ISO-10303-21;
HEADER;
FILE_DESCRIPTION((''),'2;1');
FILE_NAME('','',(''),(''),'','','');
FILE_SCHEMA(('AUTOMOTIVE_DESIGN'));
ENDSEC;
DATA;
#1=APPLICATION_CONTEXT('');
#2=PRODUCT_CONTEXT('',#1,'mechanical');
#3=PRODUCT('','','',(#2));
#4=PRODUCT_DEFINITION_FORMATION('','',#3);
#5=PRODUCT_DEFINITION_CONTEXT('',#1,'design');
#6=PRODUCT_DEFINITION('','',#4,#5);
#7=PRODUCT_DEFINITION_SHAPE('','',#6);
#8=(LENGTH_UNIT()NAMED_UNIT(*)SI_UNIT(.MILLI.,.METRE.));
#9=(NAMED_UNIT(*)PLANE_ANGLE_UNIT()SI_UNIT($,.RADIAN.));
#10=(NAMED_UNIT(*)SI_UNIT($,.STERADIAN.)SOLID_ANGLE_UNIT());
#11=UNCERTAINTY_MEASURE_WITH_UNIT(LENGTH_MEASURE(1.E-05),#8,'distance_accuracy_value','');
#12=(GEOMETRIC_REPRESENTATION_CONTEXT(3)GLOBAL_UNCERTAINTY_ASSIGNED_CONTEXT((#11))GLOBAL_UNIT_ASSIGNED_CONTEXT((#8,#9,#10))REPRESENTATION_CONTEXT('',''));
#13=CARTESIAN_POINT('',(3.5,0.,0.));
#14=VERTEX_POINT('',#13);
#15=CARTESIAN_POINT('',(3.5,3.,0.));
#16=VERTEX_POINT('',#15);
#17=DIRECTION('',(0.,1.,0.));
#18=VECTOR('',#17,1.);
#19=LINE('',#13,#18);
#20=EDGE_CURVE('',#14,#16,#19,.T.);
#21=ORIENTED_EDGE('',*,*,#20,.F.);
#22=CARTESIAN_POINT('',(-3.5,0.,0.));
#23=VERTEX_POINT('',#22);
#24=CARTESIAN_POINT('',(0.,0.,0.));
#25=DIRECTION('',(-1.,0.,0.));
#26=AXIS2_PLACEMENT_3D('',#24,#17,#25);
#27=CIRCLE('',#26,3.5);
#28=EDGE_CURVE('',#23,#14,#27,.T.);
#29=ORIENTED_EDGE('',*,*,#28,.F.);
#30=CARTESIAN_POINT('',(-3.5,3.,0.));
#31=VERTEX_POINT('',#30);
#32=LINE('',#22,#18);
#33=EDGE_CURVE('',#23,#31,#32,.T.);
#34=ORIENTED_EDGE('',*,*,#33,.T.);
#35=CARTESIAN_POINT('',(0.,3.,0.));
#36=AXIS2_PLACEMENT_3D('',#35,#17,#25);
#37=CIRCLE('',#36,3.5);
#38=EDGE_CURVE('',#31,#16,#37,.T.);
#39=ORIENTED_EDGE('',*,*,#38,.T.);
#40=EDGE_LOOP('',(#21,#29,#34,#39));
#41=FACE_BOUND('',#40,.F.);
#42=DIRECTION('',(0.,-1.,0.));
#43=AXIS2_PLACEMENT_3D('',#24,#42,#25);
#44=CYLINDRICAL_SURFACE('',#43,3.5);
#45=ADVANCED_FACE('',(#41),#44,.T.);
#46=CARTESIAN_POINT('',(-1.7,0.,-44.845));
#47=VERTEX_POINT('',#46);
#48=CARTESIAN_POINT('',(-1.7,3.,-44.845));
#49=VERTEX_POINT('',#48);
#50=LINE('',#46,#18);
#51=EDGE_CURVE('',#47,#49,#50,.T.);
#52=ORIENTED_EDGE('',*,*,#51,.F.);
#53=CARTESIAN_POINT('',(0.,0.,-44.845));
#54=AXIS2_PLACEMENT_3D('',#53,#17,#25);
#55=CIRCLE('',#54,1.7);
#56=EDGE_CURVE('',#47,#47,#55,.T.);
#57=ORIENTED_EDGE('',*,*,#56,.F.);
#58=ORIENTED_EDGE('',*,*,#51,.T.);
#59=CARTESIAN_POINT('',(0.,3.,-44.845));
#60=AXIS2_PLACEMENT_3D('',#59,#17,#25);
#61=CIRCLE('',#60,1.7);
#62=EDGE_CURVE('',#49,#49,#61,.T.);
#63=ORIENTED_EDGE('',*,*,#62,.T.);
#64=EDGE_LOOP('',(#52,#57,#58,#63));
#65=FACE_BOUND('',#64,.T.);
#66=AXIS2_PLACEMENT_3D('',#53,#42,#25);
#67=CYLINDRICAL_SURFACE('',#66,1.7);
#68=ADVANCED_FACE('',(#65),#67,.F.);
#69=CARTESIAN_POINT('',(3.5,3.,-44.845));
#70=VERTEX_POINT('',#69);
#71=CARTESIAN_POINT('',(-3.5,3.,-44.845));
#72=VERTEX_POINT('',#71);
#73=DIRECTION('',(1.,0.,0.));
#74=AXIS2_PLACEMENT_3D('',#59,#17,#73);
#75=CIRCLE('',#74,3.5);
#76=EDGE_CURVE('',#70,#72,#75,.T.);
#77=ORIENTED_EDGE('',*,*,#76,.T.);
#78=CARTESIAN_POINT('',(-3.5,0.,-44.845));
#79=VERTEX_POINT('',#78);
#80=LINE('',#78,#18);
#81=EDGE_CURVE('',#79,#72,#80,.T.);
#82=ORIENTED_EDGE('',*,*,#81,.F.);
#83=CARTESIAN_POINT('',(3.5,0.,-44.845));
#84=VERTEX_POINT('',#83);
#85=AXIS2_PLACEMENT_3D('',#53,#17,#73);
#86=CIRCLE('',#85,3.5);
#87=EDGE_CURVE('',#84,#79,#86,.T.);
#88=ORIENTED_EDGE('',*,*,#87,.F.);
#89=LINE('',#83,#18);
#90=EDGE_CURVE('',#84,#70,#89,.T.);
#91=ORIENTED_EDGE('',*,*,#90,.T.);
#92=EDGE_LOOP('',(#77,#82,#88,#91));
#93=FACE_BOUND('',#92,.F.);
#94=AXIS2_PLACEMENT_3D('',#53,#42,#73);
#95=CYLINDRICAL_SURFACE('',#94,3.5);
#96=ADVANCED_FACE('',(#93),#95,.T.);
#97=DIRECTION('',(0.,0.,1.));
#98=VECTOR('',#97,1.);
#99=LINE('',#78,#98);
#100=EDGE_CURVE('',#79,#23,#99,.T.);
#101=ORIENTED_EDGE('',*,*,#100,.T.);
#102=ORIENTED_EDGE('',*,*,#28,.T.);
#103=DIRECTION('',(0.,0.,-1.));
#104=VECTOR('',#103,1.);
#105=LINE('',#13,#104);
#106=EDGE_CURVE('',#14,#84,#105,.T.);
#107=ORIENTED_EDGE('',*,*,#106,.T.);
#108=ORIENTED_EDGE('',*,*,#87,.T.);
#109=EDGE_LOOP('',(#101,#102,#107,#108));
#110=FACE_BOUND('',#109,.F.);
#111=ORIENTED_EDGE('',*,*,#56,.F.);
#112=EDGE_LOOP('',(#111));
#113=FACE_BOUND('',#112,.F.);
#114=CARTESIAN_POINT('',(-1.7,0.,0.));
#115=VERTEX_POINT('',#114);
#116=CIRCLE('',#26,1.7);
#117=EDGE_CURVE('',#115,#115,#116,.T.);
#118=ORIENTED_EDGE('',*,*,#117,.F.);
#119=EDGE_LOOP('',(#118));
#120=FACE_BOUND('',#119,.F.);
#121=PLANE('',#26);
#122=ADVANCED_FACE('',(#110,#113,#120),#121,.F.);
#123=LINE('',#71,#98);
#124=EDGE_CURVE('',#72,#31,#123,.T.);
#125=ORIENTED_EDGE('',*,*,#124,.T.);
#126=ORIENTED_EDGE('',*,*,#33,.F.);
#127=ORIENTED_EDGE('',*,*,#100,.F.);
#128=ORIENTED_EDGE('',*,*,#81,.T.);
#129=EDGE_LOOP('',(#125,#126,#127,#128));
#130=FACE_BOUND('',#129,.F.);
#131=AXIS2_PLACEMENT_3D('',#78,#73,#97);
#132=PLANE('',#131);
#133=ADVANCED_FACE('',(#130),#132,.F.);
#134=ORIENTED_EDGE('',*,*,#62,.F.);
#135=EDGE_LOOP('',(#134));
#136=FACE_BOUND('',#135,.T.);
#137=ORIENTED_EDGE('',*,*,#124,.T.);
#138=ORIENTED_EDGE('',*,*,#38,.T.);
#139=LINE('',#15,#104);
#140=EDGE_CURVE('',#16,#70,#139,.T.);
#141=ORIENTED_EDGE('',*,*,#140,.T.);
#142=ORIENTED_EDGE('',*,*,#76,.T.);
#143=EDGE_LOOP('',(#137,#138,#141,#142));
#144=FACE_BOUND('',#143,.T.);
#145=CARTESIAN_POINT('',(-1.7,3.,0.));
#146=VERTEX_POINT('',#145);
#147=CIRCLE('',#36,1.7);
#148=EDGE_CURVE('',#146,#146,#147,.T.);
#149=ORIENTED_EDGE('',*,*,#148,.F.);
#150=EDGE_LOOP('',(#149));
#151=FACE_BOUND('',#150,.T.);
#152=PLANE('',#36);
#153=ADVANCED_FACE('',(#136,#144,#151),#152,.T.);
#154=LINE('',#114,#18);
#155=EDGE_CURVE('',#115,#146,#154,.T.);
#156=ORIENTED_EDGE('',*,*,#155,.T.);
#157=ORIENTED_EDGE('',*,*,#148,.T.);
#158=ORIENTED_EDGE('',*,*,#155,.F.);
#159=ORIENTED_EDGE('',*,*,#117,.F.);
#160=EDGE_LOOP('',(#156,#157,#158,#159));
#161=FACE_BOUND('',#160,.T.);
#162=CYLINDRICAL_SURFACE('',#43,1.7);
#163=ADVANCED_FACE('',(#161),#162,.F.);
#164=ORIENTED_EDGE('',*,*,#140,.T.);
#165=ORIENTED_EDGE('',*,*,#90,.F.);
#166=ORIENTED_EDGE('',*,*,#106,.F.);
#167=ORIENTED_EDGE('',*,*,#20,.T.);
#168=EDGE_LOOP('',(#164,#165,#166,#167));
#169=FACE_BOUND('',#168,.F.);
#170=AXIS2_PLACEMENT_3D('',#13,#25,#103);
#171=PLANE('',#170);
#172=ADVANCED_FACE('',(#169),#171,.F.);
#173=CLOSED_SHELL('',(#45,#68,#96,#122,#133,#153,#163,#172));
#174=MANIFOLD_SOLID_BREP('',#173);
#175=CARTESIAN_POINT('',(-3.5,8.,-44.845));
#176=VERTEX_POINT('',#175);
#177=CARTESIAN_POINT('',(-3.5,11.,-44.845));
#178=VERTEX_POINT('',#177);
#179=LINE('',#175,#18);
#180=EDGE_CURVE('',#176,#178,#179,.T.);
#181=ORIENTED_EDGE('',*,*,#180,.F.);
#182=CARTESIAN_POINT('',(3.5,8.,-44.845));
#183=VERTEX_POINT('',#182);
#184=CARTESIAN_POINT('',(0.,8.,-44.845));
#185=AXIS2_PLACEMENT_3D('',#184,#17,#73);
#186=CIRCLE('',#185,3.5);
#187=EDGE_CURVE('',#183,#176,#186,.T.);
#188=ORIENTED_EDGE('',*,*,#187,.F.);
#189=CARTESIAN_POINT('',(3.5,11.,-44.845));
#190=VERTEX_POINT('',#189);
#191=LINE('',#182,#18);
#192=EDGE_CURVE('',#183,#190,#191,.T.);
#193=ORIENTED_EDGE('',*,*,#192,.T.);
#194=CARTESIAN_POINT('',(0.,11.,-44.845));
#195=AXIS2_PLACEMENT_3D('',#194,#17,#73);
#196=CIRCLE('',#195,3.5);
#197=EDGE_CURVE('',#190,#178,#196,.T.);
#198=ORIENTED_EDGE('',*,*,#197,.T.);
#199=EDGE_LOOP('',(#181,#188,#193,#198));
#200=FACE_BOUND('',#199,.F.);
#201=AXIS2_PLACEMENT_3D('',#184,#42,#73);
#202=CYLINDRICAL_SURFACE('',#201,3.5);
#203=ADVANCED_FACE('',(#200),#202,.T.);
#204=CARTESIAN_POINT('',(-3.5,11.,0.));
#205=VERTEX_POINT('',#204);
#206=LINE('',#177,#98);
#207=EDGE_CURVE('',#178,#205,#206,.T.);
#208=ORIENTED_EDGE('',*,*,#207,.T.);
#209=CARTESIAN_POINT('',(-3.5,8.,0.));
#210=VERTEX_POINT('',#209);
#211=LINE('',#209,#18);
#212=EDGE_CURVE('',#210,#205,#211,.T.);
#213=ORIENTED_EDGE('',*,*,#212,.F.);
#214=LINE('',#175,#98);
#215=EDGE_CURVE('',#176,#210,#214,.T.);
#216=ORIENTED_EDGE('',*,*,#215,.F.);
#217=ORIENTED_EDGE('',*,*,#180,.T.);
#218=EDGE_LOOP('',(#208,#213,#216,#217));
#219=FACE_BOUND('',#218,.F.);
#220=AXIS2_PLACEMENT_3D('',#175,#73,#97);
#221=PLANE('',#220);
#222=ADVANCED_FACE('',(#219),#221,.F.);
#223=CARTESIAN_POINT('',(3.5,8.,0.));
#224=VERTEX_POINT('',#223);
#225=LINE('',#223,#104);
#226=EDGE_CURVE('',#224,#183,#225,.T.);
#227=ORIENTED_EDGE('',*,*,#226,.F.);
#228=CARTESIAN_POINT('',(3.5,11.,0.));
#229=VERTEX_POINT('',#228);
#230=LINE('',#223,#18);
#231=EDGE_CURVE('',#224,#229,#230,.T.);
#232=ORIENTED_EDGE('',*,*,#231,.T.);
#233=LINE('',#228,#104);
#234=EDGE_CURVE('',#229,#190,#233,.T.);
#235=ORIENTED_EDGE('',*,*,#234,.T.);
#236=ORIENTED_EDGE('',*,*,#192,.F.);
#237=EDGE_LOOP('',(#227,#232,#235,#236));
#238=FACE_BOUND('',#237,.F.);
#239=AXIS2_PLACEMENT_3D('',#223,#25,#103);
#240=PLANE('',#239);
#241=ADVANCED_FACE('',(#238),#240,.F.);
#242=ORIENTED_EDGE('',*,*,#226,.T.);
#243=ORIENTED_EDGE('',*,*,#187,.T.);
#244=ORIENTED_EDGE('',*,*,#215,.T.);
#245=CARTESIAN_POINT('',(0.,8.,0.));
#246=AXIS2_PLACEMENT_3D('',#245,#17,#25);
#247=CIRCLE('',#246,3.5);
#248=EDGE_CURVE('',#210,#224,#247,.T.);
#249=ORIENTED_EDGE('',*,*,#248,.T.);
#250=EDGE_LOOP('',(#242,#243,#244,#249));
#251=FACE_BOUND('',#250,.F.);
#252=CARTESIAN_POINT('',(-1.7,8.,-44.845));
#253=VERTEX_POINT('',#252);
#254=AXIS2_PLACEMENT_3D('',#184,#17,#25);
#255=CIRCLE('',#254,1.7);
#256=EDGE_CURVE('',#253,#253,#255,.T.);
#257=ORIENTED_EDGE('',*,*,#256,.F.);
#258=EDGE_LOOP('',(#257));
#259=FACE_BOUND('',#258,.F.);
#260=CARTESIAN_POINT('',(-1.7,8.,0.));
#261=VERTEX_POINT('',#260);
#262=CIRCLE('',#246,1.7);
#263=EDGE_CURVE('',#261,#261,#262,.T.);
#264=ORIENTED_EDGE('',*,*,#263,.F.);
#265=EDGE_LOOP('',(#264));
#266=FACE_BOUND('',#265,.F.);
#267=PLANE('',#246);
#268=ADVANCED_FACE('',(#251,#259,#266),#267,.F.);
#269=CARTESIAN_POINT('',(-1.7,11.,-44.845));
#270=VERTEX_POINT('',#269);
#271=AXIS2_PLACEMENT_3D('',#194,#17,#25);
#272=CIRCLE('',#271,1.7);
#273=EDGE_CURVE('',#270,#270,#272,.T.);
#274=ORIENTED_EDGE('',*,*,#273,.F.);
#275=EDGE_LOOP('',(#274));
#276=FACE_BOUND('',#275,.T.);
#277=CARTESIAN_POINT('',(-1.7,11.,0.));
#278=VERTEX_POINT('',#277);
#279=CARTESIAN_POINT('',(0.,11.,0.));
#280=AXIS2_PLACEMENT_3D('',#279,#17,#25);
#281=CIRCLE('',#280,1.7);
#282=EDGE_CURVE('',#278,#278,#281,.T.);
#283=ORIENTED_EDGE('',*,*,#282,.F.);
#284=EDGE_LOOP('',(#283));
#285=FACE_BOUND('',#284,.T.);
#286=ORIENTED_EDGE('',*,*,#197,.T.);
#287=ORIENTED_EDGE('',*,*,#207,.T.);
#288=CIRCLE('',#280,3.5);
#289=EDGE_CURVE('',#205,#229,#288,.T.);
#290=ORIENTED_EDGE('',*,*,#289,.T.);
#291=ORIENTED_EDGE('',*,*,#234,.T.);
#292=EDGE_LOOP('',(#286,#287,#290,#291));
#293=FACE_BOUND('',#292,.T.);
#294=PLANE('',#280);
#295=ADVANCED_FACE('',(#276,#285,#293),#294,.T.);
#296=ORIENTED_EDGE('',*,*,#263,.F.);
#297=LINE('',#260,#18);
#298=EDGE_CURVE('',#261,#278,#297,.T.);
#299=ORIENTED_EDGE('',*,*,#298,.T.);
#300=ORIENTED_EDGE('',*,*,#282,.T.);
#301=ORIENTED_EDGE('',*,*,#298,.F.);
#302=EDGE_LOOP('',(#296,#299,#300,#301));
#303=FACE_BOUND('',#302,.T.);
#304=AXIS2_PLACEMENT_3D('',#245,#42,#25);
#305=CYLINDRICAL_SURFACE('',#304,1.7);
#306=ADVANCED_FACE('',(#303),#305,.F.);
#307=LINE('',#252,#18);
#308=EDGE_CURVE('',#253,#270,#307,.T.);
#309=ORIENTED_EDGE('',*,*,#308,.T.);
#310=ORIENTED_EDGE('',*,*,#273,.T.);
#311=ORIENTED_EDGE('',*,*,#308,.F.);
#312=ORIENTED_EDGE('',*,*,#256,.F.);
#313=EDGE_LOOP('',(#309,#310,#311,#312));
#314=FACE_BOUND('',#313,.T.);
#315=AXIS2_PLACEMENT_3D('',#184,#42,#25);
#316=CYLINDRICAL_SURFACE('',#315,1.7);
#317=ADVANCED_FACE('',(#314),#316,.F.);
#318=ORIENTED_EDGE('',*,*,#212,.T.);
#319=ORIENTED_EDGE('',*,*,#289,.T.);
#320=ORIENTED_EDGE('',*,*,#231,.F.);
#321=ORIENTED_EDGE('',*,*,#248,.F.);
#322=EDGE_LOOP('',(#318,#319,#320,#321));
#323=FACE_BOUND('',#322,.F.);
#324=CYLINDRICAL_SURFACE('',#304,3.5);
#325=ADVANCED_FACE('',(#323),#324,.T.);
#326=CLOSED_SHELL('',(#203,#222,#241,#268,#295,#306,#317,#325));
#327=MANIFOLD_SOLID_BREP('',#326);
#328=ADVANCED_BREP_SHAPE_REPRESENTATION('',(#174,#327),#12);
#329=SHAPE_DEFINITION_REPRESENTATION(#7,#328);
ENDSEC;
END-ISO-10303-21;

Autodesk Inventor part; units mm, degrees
ref_plane "YZ Plane" through (0, 0, 0) normal (1, 0, 0) x (0, 1, 0)
ref_plane "XZ Plane" through (0, 0, 0) normal (0, 1, 0) x (-1, 0, 0)
ref_plane "XY Plane" through (0, 0, 0) normal (0, 0, 1) x (1, 0, 0)
sketch "Sketch1" plane through (0, 0, 0) normal (0, 1, 0) x (-1, 0, 0)
  line L0 (0, 0) -> (0, -44.845) construction
  line L1 (-3.5, 0) -> (-3.5, -44.845)
  line L2 (3.5, -44.845) -> (3.5, 0)
  arc A0 (3.5, 0) -> (-3.5, 0) centre (0, 0) ccw
  arc A1 (-3.5, -44.845) -> (3.5, -44.845) centre (0, -44.845) ccw
  circle A2 centre (0, 0) radius 1.7
  circle A3 centre (0, -44.845) radius 1.7
  point P0 (0, -22.4225)
  dimension "d0" = 7
  dimension "d1" = 3.4
  dimension "d2" = 3.4
  dimension "d3" = 44.845
extrude "Extrusion1" add sketch "Sketch1" along normal blind 3
pattern_linear "Rectangular Pattern1" count 2 spacing 8 along (0, 1, 0) of "Extrusion1"
properties part number "Corredera_IV"
